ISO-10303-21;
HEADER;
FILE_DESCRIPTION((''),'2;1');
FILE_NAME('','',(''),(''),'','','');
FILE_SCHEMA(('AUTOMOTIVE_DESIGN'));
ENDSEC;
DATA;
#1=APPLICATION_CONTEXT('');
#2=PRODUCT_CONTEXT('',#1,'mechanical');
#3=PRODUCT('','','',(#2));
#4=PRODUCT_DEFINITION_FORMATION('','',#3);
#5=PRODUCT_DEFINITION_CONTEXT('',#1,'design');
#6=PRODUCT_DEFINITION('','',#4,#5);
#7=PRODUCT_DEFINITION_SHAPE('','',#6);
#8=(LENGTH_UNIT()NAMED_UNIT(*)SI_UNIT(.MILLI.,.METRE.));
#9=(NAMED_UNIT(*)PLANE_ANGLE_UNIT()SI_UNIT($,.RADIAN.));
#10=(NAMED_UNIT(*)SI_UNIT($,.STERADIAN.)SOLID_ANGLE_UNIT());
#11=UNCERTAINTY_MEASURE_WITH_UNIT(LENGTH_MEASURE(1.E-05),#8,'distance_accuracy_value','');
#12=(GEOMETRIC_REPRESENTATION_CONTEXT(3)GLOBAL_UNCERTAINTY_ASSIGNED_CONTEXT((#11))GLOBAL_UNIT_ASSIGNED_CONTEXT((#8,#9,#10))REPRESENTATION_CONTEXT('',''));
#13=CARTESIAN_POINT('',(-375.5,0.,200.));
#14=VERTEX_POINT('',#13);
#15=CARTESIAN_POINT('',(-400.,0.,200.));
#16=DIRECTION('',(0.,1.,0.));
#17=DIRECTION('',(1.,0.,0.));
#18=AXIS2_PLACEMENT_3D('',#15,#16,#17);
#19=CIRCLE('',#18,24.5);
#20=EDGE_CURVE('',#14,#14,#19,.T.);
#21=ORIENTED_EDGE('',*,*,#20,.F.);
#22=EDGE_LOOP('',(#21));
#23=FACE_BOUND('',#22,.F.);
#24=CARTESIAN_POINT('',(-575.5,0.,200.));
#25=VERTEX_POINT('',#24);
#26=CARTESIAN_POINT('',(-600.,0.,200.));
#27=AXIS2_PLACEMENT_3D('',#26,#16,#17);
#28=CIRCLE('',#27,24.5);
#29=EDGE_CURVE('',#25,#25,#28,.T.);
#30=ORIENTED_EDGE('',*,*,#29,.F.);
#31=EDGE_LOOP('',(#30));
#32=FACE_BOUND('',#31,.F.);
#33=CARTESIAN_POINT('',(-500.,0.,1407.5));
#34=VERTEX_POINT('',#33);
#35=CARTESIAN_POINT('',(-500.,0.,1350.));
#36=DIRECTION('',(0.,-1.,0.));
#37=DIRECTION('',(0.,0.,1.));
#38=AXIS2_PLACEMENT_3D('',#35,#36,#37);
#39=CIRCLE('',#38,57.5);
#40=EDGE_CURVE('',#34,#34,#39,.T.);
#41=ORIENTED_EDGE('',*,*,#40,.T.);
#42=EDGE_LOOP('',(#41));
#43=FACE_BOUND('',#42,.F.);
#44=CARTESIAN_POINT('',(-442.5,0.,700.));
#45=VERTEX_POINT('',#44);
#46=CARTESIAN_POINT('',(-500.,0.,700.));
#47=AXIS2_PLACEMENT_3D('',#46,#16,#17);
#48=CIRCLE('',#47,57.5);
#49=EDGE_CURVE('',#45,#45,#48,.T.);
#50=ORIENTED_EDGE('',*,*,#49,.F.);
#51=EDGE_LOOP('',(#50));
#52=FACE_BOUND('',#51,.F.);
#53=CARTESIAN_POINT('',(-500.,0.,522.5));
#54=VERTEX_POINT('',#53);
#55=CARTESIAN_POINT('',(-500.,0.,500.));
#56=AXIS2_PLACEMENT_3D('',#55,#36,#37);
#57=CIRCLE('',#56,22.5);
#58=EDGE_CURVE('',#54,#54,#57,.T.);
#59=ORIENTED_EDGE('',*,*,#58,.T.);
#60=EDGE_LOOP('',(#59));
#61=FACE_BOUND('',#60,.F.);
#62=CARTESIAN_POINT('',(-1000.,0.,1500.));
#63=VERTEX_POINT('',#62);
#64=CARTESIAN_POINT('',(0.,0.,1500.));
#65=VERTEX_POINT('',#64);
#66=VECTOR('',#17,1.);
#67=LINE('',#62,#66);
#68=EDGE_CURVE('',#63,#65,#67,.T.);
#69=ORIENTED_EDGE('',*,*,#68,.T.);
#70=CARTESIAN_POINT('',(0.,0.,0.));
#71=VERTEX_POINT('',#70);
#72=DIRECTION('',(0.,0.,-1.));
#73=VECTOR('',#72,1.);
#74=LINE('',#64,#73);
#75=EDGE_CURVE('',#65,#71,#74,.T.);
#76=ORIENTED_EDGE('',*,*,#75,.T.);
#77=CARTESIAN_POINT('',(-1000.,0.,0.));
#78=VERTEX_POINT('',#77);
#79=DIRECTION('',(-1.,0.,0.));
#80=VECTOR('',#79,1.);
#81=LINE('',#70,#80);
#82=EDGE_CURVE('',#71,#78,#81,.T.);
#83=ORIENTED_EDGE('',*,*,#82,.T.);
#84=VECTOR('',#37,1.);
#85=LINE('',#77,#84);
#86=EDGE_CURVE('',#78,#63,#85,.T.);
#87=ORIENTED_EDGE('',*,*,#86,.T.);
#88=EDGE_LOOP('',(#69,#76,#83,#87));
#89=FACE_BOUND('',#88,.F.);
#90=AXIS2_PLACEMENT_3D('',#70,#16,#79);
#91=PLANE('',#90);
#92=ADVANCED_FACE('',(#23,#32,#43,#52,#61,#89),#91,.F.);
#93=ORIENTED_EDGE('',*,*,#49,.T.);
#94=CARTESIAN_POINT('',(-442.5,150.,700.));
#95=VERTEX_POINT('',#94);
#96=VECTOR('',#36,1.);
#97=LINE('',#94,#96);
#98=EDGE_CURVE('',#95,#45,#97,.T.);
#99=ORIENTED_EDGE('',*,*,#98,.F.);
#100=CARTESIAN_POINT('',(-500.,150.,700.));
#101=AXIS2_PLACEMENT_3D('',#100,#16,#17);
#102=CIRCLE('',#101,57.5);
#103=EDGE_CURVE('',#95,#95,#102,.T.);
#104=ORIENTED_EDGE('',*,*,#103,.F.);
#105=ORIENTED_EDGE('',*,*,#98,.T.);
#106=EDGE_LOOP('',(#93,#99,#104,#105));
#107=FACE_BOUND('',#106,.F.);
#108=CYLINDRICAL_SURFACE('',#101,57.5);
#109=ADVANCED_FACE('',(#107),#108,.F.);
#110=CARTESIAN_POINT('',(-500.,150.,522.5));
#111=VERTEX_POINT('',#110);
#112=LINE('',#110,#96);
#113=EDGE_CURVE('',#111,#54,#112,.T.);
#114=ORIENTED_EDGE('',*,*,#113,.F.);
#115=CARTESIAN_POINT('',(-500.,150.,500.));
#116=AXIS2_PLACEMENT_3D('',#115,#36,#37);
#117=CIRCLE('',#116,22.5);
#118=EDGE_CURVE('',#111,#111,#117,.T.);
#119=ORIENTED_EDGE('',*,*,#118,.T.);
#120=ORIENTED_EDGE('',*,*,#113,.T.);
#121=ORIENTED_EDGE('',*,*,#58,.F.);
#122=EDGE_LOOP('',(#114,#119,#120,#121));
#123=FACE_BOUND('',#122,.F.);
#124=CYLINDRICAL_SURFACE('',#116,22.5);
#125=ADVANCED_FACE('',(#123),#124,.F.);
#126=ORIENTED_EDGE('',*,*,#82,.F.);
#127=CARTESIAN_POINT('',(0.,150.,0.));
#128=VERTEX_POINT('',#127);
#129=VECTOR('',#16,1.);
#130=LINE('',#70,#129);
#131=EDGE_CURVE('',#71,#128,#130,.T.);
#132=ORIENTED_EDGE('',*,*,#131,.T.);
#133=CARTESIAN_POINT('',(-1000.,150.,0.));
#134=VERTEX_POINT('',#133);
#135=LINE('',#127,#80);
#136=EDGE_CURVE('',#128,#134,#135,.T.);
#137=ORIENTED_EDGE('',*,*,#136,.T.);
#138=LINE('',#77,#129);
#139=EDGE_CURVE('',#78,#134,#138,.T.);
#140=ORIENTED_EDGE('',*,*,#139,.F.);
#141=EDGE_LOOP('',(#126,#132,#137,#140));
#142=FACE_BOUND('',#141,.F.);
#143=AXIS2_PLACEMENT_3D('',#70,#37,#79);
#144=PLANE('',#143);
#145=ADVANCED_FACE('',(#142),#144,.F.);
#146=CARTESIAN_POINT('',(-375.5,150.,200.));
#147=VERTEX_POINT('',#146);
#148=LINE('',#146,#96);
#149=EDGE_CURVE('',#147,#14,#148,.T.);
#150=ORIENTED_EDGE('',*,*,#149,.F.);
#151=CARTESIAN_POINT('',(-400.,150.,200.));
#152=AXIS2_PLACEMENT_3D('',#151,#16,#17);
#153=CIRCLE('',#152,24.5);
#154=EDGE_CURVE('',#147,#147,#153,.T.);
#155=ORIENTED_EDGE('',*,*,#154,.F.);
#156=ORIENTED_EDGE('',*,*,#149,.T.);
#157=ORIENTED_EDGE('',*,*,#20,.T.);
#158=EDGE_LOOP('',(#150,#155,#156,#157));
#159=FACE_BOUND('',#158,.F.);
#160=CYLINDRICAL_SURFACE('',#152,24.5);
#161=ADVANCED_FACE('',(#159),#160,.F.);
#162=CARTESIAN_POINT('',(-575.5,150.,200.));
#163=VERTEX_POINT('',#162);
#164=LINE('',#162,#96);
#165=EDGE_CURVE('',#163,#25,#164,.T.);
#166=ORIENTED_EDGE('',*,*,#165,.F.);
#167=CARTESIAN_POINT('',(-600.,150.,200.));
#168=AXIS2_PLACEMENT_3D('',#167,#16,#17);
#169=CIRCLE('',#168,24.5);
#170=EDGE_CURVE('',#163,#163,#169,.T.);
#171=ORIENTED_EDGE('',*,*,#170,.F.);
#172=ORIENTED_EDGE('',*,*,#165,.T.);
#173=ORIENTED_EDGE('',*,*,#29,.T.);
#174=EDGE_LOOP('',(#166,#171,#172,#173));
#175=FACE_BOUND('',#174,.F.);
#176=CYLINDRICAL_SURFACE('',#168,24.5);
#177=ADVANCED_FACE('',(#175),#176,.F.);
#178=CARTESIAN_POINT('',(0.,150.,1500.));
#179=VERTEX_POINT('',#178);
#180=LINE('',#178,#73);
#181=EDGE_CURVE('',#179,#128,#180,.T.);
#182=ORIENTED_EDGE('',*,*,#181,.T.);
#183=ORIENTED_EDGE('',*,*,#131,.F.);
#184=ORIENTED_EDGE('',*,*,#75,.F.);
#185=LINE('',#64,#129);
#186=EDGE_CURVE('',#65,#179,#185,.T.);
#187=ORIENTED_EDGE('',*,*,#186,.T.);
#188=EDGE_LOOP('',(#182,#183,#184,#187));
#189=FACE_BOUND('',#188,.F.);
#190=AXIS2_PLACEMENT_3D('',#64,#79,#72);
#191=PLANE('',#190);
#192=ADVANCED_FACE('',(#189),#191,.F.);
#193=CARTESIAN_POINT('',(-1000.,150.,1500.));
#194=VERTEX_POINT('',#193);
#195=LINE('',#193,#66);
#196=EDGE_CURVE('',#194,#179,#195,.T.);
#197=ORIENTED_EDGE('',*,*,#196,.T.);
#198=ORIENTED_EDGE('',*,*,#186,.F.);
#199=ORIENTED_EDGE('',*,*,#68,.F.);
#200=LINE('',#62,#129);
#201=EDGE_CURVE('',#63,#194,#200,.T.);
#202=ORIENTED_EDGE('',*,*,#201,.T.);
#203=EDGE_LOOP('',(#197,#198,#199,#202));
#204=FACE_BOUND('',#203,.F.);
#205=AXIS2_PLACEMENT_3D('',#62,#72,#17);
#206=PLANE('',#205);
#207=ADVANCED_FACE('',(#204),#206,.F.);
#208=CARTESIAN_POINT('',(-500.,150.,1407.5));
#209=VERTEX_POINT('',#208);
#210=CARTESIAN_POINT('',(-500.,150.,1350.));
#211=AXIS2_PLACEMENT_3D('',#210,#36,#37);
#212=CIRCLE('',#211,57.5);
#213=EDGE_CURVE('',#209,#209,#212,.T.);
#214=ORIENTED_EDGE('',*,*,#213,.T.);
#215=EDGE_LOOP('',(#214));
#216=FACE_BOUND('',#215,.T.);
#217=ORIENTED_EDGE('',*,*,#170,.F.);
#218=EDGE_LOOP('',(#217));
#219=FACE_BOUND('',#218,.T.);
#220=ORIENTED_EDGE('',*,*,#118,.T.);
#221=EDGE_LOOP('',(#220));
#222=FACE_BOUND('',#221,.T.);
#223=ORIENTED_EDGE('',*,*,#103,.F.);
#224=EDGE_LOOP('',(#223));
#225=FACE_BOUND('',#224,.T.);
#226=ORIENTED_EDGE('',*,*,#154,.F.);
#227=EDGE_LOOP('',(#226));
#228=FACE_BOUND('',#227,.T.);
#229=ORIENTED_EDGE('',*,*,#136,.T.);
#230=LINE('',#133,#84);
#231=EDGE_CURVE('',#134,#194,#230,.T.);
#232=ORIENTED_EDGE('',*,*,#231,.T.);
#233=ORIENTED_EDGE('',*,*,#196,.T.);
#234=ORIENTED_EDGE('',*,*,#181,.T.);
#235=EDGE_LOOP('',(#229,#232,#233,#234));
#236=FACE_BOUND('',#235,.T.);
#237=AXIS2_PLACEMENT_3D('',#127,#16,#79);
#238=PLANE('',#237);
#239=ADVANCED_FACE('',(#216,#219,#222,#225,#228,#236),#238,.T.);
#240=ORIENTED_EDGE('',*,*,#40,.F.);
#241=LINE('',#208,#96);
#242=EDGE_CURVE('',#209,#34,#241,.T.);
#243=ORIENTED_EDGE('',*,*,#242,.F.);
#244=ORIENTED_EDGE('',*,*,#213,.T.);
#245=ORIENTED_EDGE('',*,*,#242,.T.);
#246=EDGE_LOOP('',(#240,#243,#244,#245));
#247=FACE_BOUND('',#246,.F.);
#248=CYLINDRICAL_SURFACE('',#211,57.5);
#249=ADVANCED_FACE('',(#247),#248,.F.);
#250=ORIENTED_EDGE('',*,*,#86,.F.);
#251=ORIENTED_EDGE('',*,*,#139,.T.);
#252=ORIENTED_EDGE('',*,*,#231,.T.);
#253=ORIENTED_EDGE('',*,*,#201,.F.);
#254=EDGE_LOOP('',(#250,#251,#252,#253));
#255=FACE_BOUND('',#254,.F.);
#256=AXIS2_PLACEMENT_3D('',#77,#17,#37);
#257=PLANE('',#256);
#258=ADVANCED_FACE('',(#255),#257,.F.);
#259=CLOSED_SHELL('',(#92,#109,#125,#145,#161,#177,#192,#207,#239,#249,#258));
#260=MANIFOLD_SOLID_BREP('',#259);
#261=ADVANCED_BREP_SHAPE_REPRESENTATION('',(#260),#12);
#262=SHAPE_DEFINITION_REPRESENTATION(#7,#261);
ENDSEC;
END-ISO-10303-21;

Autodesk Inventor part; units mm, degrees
ref_plane "YZ Plane" through (0, 0, 0) normal (1, 0, 0) x (0, 1, 0)
ref_plane "XZ Plane" through (0, 0, 0) normal (0, 1, 0) x (-1, 0, 0)
ref_plane "XY Plane" through (0, 0, 0) normal (0, 0, 1) x (1, 0, 0)
sketch "Sketch1" plane through (0, 0, 0) normal (0, 1, 0) x (-1, 0, 0)
  line L0 (0, 0) -> (1000, 0)
  line L1 (1000, 0) -> (1000, 1500)
  line L2 (1000, 1500) -> (0, 1500)
  line L3 (0, 1500) -> (0, 0)
  dimension "d0" = 1000
  dimension "d1" = 1500
extrude "base" add sketch "Sketch1" along normal blind 150
sketch "Sketch2" plane through (0, 150, 0) normal (0, 1, 0) x (1, 0, 0)
  circle A0 centre (-500, -700) radius 57.5
  line L0 (0, 0) -> (-1000, 0) projected
  line L1 (-1000, -1500) -> (0, -1500) projected
  line L2 (-500, 0) -> (-500, -1500) construction
  dimension "d4" = 115
  dimension "d38" = 700
extrude "air" cut sketch "Sketch2" against normal through all
sketch "Sketch3" plane through (0, 150, 0) normal (0, 1, 0) x (1, 0, 0)
  circle A0 centre (-500, -700) radius 57.5 projected
  circle A1 centre (-400, -200) radius 24.5
  circle A2 centre (-600, -200) radius 24.5
  line L0 (0, 0) -> (-1000, 0) projected
  dimension "d7" = 49
  dimension "d40" = 100
  dimension "d41" = 49
  dimension "d42" = 100
  dimension "d55" = 200
extrude "power" cut sketch "Sketch3" against normal blind 254 contours A1 | A2
sketch "Sketch4" plane through (0, 150, 0) normal (0, 1, 0) x (1, 0, 0)
  circle A0 centre (-600, -200) radius 24.5 projected
  circle A1 centre (-500, -500) radius 24.5
  line L0 (0, 0) -> (-1000, 0) projected
  dimension "d52" = 49
  dimension "d53" = 500
hole "fibre" at (-500, 150, 500) direction (0, -1, 0) diameter 45 end through all
sketch "Sketch6" plane through (0, 150, 0) normal (0, 1, 0) x (1, 0, 0)
  circle A0 centre (-500, -700) radius 57.5 projected
  circle A1 centre (-500, -1350) radius 76.2
  dimension "d29" = 152.4
  dimension "d30" = 650
hole "air2" at (-500, 150, 1350) direction (0, -1, 0) diameter 115 end through all
properties part number "plinth" material "Concrete"
